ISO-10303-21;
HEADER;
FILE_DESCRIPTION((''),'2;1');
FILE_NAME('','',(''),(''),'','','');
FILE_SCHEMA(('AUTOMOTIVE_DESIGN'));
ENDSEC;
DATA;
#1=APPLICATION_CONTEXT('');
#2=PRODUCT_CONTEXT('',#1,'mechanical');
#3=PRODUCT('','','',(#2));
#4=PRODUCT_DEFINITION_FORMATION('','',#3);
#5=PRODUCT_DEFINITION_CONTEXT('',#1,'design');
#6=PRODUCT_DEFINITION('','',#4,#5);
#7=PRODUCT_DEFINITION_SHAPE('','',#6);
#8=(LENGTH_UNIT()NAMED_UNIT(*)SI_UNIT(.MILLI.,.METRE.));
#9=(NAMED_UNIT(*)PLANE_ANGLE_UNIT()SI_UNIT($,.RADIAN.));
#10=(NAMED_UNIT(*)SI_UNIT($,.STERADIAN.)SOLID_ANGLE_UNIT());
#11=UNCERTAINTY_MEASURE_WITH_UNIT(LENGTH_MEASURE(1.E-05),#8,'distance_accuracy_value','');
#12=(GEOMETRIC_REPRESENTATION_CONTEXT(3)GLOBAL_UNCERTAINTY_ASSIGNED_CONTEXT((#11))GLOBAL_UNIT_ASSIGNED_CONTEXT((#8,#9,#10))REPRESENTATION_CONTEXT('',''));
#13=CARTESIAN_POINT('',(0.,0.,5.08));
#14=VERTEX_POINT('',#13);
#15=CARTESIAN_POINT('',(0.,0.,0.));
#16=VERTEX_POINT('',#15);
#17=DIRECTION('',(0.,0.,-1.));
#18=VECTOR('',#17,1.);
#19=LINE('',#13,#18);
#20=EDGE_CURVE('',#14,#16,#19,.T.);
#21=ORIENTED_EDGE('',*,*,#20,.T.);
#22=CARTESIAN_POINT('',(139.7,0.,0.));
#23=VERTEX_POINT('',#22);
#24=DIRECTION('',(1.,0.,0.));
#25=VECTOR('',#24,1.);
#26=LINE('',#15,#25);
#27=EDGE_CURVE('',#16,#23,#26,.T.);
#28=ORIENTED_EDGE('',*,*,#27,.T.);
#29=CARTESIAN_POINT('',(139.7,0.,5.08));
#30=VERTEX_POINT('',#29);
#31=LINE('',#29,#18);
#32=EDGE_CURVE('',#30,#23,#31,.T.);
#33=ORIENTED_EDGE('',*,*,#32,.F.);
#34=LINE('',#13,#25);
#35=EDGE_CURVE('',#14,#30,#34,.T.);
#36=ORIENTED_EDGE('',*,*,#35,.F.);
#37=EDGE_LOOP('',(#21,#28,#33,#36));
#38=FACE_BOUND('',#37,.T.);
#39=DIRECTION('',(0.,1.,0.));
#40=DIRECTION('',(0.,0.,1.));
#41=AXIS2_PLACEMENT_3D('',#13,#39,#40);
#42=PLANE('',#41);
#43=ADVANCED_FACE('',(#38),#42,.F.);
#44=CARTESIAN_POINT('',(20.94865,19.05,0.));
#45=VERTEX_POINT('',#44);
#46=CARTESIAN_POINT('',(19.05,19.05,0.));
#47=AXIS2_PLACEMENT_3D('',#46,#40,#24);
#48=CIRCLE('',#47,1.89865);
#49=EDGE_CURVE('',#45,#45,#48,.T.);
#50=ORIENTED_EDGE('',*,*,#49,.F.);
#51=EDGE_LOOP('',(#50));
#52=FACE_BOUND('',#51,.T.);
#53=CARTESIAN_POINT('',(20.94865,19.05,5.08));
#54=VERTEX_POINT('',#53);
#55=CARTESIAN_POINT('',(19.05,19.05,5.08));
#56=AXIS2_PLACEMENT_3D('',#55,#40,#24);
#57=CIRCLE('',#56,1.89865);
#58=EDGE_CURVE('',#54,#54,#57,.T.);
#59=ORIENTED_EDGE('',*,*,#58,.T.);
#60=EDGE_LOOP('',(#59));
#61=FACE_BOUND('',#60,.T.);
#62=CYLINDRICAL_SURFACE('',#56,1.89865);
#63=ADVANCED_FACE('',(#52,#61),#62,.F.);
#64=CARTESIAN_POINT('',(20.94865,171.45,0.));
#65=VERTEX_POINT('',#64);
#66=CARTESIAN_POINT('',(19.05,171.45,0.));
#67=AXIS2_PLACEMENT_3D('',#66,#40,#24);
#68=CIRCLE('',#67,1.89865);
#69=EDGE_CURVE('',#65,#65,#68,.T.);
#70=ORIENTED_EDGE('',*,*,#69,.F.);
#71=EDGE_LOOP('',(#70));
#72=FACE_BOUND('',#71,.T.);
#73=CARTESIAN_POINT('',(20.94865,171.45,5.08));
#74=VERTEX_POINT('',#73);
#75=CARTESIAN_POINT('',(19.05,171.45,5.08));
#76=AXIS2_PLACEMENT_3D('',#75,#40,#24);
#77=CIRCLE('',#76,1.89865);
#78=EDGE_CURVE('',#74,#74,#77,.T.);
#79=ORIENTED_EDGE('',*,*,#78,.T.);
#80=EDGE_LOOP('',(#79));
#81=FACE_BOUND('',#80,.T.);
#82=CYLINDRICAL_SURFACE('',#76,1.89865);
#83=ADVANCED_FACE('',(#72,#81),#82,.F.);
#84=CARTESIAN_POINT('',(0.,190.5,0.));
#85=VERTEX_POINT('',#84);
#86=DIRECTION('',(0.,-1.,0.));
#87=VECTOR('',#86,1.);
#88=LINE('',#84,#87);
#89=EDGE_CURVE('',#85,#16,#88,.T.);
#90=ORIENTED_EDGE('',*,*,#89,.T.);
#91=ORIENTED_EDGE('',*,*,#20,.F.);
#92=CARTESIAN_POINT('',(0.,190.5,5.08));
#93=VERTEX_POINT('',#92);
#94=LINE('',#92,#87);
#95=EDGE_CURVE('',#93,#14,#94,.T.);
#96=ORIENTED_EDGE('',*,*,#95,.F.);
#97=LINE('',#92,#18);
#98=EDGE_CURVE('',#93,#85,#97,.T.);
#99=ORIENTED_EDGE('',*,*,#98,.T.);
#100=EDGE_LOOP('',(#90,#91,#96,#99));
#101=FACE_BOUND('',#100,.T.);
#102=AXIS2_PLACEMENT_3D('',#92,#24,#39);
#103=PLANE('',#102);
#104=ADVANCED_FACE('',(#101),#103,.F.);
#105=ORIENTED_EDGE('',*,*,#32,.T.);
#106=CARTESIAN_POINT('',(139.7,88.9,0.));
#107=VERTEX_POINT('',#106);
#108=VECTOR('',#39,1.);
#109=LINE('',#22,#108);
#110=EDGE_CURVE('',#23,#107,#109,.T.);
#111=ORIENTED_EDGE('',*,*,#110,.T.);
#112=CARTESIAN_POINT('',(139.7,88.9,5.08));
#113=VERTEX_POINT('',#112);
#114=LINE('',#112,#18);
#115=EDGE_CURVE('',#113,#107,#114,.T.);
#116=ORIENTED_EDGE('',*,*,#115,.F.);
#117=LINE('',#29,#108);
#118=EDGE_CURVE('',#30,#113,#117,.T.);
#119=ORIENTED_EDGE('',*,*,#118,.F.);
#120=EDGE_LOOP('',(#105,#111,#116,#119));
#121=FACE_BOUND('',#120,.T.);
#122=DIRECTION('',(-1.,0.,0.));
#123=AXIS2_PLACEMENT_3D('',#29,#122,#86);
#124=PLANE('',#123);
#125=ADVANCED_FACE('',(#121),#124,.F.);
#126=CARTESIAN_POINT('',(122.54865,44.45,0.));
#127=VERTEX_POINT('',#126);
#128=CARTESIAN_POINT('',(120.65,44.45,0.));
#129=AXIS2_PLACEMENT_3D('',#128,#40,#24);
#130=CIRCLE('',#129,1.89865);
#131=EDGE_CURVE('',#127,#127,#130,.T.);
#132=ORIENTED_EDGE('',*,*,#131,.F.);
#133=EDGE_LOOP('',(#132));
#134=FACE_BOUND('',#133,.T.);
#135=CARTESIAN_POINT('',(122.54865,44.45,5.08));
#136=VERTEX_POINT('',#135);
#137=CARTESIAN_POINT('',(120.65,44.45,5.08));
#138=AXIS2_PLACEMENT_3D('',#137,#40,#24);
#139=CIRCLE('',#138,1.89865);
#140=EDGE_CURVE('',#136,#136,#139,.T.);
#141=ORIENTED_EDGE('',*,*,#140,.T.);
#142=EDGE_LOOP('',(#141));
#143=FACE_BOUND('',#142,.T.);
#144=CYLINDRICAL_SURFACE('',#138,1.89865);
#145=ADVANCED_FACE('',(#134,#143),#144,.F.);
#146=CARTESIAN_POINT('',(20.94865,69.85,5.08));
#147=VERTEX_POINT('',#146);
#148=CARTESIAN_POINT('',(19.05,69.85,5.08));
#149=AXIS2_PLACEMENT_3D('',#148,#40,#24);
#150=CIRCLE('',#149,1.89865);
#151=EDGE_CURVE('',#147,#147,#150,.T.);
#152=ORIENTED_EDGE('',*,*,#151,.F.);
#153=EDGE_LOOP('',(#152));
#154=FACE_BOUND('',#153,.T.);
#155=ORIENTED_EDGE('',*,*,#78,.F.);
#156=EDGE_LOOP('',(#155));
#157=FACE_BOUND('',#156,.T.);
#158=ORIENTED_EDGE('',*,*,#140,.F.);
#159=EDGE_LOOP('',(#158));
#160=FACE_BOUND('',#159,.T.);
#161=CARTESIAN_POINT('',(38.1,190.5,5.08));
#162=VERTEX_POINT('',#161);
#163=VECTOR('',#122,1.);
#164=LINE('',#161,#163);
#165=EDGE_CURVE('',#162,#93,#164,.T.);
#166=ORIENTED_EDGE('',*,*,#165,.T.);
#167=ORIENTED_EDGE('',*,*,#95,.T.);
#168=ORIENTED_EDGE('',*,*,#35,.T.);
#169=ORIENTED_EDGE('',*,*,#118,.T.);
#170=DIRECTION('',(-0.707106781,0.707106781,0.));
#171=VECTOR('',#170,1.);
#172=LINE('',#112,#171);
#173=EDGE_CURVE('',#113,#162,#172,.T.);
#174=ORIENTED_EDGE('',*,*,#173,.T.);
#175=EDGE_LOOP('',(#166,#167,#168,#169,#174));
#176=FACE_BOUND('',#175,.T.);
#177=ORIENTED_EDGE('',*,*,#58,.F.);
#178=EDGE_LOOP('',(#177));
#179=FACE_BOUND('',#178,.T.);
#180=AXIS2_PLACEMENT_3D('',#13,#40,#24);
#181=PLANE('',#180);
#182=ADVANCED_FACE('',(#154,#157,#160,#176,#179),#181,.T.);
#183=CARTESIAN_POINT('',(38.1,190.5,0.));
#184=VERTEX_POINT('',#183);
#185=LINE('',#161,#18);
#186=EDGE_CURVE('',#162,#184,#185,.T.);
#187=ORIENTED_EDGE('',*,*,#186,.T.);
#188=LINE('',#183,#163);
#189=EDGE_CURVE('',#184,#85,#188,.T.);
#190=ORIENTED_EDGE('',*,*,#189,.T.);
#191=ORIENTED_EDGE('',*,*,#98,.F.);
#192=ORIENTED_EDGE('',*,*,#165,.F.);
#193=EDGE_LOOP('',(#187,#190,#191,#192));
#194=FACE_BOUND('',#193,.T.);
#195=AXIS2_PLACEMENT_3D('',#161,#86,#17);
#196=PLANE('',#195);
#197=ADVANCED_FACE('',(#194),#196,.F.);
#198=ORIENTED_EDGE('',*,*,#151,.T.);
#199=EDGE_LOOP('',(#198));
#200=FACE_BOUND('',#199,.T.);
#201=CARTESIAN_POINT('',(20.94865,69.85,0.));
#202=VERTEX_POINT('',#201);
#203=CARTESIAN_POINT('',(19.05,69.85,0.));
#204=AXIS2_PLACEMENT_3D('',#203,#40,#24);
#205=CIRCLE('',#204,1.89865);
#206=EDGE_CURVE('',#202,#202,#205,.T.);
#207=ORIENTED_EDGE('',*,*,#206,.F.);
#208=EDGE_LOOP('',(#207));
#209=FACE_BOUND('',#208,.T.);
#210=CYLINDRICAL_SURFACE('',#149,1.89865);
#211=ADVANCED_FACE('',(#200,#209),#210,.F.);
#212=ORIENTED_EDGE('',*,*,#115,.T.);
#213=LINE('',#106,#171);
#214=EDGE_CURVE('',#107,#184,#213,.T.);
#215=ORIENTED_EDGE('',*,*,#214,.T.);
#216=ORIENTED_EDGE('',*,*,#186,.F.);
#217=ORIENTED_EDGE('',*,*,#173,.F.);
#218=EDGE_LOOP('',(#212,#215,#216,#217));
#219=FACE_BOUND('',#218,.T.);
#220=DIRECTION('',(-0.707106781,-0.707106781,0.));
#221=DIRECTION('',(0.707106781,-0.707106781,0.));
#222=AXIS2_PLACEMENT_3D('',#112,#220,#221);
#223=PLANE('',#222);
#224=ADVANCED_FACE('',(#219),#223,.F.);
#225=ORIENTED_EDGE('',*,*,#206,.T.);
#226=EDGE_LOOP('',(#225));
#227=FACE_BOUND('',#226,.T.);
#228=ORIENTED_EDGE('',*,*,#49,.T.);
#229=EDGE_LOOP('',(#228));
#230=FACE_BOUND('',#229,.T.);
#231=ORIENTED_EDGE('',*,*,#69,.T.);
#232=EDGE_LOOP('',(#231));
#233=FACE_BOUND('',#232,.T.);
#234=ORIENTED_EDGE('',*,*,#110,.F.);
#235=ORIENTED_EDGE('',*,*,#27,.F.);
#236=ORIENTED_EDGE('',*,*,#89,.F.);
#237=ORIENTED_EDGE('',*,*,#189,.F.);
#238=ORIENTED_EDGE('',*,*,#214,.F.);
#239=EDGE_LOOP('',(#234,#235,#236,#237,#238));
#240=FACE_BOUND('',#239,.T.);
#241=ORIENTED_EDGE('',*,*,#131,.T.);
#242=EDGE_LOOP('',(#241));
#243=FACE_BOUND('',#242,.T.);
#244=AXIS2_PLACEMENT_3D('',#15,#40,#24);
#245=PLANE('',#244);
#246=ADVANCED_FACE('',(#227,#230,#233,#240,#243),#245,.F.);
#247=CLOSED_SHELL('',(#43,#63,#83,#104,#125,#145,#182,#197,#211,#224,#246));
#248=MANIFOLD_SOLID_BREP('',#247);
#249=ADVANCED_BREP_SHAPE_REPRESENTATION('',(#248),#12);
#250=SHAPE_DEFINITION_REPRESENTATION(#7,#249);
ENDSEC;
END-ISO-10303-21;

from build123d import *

# Parameters (mm, degrees)
BOSS_EXTRUDE1_DEPTH   = 5.08
F_6_CLEARANCE_HOLE1_D = 3.7973


with BuildPart() as part:
    # Sketch1 → Boss-Extrude1 (new body)
    with BuildSketch(Plane.XY):
        Polygon((0, 0), (139.7, 0), (139.7, 88.9), (38.1, 190.5), (0, 190.5), align=None)
    extrude(amount=BOSS_EXTRUDE1_DEPTH)

    # #6 Clearance Hole1 (through all)
    with Locations(Plane.XY.offset(5.08)):
        with Locations((120.65, 44.45), (19.05, 171.45), (19.05, 19.05), (19.05, 69.85)):
            Hole(F_6_CLEARANCE_HOLE1_D / 2)


solid = part.part
